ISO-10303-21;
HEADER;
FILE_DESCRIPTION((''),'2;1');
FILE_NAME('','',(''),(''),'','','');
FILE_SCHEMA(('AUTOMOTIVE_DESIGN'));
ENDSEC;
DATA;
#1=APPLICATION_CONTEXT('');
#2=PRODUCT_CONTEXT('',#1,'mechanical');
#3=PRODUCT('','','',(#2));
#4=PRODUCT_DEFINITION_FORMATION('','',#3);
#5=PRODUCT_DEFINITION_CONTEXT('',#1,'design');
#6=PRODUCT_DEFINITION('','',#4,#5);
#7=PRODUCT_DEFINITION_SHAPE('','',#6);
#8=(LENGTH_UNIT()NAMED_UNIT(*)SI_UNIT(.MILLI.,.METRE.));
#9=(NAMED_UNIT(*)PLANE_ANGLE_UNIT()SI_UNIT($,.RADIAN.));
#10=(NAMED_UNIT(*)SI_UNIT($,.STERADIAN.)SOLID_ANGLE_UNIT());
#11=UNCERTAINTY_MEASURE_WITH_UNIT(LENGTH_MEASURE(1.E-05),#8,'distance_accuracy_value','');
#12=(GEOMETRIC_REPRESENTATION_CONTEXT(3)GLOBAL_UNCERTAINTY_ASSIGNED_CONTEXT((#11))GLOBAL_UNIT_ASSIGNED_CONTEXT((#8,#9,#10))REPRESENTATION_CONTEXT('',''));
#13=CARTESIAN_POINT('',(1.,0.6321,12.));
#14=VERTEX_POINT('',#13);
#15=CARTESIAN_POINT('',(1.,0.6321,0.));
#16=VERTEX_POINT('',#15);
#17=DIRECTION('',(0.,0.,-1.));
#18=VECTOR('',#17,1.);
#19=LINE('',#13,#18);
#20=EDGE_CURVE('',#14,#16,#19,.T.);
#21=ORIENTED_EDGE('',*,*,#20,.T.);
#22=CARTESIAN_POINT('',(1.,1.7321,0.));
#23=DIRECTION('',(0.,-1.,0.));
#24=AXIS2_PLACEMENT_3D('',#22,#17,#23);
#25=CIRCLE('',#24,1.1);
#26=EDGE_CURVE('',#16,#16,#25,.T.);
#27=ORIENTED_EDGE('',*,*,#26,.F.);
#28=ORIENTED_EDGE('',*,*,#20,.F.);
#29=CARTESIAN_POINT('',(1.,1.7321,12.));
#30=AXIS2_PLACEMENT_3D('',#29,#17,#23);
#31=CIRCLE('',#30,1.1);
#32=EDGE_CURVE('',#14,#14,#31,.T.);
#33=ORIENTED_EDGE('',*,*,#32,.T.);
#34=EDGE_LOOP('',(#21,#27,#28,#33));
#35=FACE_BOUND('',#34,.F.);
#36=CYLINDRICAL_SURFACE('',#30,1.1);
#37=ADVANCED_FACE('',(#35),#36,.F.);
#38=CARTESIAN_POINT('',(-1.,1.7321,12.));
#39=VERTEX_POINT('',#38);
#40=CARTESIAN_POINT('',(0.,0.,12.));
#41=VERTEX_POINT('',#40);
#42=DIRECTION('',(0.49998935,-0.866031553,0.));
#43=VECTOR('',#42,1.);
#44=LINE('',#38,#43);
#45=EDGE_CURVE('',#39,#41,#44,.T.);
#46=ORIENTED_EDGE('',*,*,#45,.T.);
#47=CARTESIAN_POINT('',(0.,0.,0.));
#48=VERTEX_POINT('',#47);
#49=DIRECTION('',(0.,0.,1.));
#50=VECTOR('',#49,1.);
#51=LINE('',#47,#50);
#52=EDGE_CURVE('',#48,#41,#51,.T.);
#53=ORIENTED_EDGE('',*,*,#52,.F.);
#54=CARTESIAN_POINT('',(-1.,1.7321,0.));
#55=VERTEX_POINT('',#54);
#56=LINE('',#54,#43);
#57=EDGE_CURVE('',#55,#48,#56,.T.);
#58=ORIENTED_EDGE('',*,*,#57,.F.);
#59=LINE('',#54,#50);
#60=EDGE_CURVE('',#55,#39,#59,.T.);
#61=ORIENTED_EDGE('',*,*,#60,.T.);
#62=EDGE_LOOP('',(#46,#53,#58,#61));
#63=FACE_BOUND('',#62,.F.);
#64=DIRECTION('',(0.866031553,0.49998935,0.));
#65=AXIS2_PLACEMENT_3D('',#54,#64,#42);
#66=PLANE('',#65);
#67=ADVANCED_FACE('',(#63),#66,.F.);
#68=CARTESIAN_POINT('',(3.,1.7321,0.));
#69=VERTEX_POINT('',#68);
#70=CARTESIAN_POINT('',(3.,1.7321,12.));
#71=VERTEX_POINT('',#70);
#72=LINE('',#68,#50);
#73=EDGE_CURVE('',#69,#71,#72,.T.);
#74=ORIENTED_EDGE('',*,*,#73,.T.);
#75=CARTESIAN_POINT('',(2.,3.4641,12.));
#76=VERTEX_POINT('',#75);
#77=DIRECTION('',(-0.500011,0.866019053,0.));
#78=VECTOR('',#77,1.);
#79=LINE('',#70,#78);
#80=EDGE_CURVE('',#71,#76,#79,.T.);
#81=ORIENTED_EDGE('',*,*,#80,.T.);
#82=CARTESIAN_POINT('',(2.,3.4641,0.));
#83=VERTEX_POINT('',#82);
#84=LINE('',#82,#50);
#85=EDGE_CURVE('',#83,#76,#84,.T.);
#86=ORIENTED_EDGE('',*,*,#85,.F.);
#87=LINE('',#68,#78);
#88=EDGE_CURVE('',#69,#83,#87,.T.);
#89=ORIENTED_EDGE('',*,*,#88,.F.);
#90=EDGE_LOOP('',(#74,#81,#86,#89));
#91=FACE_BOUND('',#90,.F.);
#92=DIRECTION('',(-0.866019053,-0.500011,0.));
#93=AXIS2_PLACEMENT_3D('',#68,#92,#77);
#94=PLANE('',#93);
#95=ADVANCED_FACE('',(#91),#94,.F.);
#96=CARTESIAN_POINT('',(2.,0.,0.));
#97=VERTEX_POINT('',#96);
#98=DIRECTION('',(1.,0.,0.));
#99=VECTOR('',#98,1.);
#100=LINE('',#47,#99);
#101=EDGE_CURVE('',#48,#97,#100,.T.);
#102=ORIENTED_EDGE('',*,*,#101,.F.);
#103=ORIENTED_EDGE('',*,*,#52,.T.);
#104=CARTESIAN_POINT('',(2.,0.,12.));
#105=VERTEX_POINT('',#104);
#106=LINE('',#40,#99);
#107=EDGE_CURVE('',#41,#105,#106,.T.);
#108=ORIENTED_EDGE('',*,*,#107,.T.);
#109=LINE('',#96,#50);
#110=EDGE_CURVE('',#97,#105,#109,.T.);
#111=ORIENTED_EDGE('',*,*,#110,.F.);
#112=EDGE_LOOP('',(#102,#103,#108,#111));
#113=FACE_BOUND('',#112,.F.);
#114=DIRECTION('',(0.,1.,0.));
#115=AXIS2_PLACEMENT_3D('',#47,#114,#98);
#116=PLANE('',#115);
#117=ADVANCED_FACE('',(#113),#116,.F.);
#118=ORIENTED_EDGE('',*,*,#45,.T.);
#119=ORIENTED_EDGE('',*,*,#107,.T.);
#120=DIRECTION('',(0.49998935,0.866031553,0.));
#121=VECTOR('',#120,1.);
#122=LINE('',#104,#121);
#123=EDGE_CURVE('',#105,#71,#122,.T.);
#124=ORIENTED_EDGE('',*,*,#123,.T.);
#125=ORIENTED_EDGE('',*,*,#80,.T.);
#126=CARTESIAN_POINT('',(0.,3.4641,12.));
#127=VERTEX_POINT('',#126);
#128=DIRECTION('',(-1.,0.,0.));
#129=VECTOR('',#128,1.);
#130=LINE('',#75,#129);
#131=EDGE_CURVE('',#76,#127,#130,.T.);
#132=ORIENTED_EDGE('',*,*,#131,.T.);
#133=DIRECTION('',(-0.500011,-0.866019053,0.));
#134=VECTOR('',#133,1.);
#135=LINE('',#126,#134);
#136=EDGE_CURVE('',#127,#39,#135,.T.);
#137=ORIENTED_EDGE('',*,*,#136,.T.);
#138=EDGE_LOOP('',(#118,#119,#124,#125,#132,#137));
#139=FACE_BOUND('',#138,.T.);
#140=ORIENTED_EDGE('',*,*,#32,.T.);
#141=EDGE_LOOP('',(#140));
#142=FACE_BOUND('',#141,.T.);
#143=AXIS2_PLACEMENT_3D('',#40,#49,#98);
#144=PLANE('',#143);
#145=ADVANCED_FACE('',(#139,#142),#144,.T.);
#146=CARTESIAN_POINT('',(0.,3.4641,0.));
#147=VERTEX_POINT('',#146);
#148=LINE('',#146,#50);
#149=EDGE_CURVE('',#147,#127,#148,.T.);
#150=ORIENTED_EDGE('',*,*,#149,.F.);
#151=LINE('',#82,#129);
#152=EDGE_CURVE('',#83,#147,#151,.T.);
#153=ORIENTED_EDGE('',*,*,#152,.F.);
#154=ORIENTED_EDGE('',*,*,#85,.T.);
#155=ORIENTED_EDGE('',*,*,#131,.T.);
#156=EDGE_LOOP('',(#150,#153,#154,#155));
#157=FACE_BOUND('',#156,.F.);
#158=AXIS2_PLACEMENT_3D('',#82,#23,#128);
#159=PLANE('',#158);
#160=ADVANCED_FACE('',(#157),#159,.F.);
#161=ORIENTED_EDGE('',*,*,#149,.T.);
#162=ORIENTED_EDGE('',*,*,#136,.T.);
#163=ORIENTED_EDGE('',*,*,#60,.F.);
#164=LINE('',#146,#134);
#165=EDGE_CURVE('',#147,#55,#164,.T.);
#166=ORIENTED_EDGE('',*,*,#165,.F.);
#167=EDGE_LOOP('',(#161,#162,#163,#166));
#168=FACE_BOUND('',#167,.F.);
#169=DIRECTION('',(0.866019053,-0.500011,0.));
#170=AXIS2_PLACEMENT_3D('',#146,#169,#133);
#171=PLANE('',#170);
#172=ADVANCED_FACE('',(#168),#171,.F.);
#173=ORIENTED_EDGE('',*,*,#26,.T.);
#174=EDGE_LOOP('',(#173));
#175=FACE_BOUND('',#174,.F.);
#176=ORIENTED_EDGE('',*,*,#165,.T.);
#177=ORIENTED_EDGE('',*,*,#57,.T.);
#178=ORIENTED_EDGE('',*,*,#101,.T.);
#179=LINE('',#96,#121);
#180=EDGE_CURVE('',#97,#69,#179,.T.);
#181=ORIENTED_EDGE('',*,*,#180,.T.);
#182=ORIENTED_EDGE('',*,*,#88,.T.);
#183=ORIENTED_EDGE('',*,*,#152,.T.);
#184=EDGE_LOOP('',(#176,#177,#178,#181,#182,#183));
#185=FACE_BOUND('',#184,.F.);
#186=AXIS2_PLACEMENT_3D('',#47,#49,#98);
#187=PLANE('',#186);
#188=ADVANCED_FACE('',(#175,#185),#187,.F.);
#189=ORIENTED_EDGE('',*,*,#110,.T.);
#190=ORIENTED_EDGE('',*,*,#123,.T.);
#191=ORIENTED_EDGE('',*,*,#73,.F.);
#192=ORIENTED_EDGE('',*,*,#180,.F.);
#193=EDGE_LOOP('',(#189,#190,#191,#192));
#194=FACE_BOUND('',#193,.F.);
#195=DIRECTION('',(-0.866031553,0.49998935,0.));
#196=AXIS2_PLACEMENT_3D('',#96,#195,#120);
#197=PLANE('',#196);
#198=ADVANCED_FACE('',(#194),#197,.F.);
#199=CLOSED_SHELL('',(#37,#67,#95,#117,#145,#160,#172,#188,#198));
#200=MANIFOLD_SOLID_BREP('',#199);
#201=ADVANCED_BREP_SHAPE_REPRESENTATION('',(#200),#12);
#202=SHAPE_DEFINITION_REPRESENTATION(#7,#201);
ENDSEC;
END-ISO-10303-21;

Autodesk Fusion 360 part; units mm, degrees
sketch "Szkic1" plane through (0, 0, 0) normal (0, 0, 1) x (1, 0, 0)
  line L0 (0, 0) -> (2, 0)
  line L1 (2, 0) -> (3, 1.7321)
  line L2 (3, 1.7321) -> (2, 3.4641)
  line L3 (2, 3.4641) -> (0, 3.4641)
  line L4 (0, 3.4641) -> (-1, 1.7321)
  line L5 (-1, 1.7321) -> (0, 0)
  point P0 (1, 1.7321)
extrude "Wyciągnięcie proste1" add sketch "Szkic1" along normal blind 12
sketch "Szkic2" plane through (0, 0, 12) normal (0, 0, 1) x (-1, 0, 0)
  line L0 (1, -1.7321) -> (0, 0)
  line L1 (0, 0) -> (-2, 0)
  line L2 (-2, 0) -> (-3, -1.7321)
  line L3 (-3, -1.7321) -> (-2, -3.4641)
  line L4 (-2, -3.4641) -> (0, -3.4641)
  line L5 (0, -3.4641) -> (1, -1.7321)
  line L6 (1, -1.7321) -> (0, 0)
  line L7 (0, 0) -> (-2, 0)
  line L8 (-2, 0) -> (-3, -1.7321)
  line L9 (-3, -1.7321) -> (-2, -3.4641)
  line L10 (-2, -3.4641) -> (0, -3.4641)
  line L11 (0, -3.4641) -> (1, -1.7321)
  line L12 (1, -1.7321) -> (-3, -1.7321)
  line L13 (-2, -3.4641) -> (0, 0)
  circle A0 centre (-1, -1.7321) radius 1.1
  dimension "d3" = 2.2
hole "Otwór1" at (1, 1.7321, 12) direction (0, 0, -1) diameter 2.2 end through all
